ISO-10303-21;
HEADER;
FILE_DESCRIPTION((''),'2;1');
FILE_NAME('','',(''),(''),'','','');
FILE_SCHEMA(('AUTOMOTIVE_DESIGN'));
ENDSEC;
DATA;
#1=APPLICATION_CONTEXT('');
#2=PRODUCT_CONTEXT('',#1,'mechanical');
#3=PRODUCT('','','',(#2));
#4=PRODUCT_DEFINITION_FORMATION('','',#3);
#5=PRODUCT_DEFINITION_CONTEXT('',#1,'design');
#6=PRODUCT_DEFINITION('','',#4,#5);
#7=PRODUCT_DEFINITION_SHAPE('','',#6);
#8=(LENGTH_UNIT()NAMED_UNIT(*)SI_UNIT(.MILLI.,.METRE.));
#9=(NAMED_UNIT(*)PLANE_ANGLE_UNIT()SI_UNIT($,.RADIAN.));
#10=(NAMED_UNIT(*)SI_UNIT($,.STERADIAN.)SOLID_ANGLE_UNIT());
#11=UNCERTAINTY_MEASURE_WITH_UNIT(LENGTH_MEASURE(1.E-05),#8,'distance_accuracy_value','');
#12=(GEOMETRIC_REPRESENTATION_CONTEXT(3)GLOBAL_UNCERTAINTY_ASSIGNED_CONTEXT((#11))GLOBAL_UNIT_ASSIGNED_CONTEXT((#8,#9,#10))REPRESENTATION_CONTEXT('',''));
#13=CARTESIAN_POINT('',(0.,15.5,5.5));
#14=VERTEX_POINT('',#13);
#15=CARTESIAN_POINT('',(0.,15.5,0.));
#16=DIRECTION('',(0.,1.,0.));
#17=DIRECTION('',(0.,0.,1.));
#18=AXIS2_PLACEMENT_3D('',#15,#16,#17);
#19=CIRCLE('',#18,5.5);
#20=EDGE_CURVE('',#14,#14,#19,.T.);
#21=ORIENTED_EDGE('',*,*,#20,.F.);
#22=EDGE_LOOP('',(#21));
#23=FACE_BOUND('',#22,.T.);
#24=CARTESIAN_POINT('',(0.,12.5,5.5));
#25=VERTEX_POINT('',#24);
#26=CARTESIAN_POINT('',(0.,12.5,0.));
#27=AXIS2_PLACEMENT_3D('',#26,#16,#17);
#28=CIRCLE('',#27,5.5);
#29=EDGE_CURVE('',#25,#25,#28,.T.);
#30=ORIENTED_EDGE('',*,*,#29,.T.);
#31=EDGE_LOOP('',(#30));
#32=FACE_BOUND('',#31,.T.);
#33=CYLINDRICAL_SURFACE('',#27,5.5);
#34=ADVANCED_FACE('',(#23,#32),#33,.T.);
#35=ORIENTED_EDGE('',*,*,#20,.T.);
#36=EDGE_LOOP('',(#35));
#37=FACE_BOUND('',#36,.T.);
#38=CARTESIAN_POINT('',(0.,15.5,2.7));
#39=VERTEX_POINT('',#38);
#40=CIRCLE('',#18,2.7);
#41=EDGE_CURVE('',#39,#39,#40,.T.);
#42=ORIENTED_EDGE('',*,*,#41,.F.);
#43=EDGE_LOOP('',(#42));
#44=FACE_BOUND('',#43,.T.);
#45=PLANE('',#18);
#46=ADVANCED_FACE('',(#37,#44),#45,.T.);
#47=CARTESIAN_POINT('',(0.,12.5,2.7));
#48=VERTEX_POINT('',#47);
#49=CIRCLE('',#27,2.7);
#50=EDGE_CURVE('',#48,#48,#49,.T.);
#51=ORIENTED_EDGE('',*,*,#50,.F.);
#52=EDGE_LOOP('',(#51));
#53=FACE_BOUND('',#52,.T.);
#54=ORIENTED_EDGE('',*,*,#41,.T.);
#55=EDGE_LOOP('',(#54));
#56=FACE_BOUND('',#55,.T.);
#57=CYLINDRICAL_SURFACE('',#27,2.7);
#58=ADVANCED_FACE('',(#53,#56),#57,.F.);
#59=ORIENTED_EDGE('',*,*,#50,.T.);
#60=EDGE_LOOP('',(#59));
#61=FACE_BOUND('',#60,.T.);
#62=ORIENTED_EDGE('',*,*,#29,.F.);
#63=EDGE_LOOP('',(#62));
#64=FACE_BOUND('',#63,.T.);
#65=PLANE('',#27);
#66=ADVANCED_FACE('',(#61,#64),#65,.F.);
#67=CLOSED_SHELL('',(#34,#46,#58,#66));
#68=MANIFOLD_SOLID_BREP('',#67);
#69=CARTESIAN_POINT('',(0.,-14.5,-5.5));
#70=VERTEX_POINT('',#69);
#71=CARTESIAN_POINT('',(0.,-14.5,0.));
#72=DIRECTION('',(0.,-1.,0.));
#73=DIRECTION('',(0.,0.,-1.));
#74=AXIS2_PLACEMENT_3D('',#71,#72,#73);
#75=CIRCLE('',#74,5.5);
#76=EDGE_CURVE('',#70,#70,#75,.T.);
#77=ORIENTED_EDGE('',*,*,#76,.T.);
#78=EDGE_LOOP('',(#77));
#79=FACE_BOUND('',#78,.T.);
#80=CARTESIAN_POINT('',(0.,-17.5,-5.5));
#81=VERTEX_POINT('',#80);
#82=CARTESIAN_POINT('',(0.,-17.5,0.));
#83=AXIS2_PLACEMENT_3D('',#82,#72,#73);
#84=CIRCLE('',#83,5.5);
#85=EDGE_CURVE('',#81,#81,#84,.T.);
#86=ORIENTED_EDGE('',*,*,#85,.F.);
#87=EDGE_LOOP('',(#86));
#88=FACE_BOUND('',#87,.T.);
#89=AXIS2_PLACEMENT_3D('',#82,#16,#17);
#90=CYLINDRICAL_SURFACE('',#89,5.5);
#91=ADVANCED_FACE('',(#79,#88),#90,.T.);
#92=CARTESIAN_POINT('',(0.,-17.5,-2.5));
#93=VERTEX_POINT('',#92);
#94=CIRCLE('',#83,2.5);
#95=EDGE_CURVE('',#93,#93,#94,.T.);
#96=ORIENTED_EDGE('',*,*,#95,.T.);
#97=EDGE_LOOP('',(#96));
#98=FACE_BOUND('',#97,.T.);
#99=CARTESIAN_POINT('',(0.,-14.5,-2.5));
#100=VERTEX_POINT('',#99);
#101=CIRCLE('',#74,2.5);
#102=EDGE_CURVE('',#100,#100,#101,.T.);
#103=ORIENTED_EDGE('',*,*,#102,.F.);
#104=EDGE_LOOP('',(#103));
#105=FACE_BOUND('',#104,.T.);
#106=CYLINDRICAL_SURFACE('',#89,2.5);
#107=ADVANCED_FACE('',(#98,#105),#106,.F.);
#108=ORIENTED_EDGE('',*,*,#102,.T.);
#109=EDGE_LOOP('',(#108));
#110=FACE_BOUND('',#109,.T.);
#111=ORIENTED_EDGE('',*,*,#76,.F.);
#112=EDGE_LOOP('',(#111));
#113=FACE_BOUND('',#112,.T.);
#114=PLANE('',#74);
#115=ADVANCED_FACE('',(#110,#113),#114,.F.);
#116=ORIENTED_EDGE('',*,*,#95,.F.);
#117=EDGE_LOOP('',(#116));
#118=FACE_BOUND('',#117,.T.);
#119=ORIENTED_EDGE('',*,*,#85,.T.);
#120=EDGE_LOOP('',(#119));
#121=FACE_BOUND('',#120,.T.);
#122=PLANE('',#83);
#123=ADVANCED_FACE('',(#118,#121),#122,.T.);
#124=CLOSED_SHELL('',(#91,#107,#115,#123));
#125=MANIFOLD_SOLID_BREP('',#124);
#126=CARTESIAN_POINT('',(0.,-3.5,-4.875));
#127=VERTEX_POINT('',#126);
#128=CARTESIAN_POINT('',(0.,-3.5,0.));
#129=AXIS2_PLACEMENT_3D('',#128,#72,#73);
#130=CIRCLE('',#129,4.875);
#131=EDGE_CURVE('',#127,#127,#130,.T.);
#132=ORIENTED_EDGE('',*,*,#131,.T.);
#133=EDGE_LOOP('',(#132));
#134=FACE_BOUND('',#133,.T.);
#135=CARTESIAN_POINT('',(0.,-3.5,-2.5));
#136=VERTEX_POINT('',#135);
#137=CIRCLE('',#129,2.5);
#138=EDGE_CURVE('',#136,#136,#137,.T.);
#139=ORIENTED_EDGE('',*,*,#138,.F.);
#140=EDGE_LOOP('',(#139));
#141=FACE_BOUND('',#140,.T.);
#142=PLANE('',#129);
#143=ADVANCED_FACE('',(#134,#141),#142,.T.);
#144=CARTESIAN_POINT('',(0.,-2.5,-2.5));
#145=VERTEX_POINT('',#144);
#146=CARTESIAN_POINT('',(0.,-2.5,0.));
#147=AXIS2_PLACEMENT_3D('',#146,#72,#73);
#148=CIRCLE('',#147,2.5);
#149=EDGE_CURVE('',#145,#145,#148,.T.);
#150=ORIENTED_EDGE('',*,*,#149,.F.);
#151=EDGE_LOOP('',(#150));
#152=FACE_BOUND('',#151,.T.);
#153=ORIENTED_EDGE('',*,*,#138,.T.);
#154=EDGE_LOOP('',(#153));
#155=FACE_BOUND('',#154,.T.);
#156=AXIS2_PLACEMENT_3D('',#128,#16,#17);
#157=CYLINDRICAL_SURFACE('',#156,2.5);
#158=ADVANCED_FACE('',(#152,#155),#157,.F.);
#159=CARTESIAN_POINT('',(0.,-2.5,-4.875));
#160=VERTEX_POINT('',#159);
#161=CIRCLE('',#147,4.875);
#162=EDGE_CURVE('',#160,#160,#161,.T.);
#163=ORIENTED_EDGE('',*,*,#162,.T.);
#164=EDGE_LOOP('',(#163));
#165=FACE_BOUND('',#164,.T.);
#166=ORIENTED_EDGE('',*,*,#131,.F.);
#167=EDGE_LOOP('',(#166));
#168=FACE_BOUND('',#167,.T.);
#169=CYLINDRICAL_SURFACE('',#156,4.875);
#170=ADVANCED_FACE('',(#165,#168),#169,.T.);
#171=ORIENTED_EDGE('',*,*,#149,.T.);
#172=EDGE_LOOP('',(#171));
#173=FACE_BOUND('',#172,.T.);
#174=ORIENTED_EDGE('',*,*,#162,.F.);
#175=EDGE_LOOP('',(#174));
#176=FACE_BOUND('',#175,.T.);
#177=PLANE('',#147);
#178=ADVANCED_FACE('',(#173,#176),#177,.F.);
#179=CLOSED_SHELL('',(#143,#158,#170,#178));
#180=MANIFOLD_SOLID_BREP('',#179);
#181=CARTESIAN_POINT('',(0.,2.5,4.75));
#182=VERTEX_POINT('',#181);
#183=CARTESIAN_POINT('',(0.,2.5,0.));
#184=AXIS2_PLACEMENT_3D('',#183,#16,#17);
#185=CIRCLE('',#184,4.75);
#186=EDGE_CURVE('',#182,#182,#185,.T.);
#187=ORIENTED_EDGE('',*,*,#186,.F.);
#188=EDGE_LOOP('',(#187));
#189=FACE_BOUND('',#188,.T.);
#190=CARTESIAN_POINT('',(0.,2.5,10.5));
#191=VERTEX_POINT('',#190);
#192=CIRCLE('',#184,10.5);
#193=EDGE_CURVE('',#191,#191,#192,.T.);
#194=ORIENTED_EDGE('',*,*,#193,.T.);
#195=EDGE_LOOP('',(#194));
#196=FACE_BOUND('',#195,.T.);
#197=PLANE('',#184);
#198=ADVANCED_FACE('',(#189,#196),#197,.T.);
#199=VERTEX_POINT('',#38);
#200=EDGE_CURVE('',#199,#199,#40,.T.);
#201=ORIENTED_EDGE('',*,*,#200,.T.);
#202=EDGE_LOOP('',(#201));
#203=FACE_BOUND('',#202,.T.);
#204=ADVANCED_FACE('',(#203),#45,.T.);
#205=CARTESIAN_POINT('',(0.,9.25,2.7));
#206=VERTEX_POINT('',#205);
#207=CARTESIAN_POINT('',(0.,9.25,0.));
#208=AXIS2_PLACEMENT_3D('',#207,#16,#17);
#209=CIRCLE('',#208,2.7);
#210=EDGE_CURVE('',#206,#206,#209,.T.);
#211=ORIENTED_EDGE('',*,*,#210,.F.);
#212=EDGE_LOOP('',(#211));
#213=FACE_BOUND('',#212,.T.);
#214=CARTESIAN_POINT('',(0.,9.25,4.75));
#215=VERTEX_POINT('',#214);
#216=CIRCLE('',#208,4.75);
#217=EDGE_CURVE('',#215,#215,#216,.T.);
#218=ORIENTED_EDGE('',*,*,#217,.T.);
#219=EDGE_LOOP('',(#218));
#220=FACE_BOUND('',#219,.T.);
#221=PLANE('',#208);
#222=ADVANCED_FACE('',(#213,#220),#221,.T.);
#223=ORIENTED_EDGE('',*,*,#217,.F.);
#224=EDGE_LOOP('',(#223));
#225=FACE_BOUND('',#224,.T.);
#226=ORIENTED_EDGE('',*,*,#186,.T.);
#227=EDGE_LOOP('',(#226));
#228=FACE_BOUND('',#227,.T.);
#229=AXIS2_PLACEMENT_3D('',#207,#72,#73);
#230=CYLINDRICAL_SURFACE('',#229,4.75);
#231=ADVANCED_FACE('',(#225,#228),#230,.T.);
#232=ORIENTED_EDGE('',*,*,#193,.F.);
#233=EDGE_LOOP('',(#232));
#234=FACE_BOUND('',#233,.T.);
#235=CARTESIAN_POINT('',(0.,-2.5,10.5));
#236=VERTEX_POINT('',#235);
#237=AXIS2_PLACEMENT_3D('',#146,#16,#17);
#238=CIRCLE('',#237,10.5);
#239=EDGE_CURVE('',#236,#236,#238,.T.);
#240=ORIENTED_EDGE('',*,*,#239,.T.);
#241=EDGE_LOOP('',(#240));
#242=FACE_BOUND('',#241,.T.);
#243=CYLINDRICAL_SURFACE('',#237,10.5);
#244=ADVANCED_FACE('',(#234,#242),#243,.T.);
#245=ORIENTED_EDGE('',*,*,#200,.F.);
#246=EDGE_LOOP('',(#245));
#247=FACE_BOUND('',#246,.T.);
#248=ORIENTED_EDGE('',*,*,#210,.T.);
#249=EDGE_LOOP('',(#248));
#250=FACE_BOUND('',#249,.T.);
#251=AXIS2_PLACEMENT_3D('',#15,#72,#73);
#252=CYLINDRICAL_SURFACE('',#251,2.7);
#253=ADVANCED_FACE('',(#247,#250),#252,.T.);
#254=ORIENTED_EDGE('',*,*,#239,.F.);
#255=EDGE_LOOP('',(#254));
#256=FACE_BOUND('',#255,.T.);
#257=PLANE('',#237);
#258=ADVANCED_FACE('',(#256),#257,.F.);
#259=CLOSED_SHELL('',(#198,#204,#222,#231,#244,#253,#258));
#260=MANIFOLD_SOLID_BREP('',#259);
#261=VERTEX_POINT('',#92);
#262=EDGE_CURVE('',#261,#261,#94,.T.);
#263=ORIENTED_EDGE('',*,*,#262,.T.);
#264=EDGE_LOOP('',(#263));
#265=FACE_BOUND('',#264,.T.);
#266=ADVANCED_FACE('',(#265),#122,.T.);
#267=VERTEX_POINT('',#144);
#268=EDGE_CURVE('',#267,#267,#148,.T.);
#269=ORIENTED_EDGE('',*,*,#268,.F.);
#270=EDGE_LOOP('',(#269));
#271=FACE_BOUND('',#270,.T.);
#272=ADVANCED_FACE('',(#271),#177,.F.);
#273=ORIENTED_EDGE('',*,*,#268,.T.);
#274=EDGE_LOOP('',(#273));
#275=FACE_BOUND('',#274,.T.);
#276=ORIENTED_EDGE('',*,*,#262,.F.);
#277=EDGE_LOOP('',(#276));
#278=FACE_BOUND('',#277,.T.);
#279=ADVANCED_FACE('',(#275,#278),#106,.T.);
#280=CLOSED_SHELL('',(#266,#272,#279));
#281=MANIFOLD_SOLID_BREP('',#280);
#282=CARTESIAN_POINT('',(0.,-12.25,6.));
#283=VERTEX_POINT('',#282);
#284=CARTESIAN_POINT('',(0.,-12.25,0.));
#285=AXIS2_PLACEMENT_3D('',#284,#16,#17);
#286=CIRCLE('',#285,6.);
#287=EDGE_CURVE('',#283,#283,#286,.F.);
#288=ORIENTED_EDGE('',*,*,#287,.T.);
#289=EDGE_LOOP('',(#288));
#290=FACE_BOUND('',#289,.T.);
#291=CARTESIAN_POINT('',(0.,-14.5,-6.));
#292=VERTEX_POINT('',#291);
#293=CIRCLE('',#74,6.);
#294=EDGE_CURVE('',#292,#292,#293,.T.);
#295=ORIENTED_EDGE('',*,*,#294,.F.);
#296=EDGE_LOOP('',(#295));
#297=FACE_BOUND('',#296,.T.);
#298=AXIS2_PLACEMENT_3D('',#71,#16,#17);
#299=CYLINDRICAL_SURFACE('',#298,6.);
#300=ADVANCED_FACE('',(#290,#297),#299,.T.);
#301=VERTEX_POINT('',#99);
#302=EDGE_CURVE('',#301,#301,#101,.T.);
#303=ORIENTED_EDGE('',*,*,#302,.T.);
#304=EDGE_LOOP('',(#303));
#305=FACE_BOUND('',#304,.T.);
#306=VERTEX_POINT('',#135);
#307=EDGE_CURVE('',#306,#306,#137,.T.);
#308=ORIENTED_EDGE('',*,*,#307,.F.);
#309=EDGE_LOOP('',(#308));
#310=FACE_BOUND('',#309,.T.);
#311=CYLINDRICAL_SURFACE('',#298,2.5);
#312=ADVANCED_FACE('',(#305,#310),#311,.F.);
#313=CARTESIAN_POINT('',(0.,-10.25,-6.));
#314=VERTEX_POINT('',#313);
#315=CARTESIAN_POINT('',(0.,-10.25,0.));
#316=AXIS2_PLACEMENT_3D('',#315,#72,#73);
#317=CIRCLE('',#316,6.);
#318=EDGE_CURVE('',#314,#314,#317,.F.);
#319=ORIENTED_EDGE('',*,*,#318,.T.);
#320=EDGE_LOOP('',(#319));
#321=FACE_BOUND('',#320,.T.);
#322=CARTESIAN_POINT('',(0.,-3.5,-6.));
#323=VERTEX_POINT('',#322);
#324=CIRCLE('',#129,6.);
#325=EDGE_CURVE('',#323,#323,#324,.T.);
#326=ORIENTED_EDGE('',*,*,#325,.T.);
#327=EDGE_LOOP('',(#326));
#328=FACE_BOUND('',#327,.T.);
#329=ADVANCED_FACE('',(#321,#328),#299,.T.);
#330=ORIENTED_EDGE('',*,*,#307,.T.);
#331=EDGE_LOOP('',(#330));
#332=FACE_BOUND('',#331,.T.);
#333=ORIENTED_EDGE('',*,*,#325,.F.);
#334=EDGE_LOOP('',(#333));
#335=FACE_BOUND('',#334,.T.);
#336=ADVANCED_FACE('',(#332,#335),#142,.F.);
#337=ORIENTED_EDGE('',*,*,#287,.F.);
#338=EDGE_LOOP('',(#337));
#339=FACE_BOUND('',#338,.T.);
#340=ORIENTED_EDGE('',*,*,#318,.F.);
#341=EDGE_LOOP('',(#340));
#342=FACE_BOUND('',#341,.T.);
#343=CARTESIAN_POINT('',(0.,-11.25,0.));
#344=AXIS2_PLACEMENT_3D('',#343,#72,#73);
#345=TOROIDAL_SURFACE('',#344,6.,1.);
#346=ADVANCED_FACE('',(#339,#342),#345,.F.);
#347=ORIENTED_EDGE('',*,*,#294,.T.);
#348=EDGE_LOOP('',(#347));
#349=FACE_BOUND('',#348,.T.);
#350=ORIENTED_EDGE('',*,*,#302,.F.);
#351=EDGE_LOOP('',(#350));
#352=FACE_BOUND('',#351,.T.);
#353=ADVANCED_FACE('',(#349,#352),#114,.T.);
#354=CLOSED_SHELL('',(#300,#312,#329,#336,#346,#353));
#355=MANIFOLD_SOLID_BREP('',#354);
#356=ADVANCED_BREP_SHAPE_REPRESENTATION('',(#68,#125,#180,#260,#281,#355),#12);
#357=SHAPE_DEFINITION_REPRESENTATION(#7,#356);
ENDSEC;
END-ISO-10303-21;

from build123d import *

# Parameters (mm, degrees)
BOSS_EXTRUDE1_DEPTH      = 2.5
BOSS_EXTRUDE1_DEPTH_BACK = 2.5
SKETCH1_R                = 10.5
SKETCH2_R                = 4.75
BOSS_EXTRUDE2_DEPTH      = 6.75
SKETCH3_R                = 2.7
BOSS_EXTRUDE4_DEPTH      = 6.25
SKETCH5_R                = 5.5
SKETCH5_R_2              = 2.7
BOSS_EXTRUDE5_DEPTH      = 3
SKETCH6_R                = 2.5
BOSS_EXTRUDE6_DEPTH      = 15
SKETCH7_R                = 4.875
SKETCH7_R_2              = 2.5
BOSS_EXTRUDE7_DEPTH      = 1
SKETCH8_R                = 6
SKETCH8_R_2              = 2.5
BOSS_EXTRUDE8_DEPTH      = 11
SKETCH9_R                = 1
SKETCH10_R               = 5.5
SKETCH10_R_2             = 2.5
BOSS_EXTRUDE12_DEPTH     = 3


with BuildPart() as part:
    # Sketch1 → Boss-Extrude1 (new, two sides: drawn at the far end of the back side and taken through both)
    with BuildSketch(Plane(origin=(0, 0, 0), x_dir=(1, 0, 0), z_dir=(0, 1, 0)).offset(-BOSS_EXTRUDE1_DEPTH_BACK)):
        Circle(SKETCH1_R)
    extrude(amount=BOSS_EXTRUDE1_DEPTH + BOSS_EXTRUDE1_DEPTH_BACK)

    # Sketch2 → Boss-Extrude2 (add)
    with BuildSketch(Plane(origin=(0, 2.5, 0), x_dir=(1, 0, 0), z_dir=(0, 1, 0))):
        Circle(SKETCH2_R)
    extrude(amount=BOSS_EXTRUDE2_DEPTH)

    # Sketch3 → Boss-Extrude4 (add)
    with BuildSketch(Plane(origin=(0, 9.25, 0), x_dir=(1, 0, 0), z_dir=(0, 1, 0))):
        Circle(SKETCH3_R)
    extrude(amount=BOSS_EXTRUDE4_DEPTH)


with BuildPart() as body_2:
    # Sketch5 → Boss-Extrude5 (new body)
    with BuildSketch(Plane(origin=(0, 15.5, 0), x_dir=(1, 0, 0), z_dir=(0, 1, 0))):
        Circle(SKETCH5_R)
        Circle(SKETCH5_R_2, mode=Mode.SUBTRACT)
    extrude(amount=-BOSS_EXTRUDE5_DEPTH)


with BuildPart() as body_3:
    # Sketch6 → Boss-Extrude6 (new body)
    with BuildSketch(Plane.XZ.offset(2.5)):
        Circle(SKETCH6_R)
    extrude(amount=BOSS_EXTRUDE6_DEPTH)


with BuildPart() as body_4:
    # Sketch7 → Boss-Extrude7 (new body)
    with BuildSketch(Plane.XZ.offset(2.5)):
        Circle(SKETCH7_R)
        Circle(SKETCH7_R_2, mode=Mode.SUBTRACT)
    extrude(amount=BOSS_EXTRUDE7_DEPTH)


with BuildPart() as body_5:
    # Sketch8 → Boss-Extrude8 (new body)
    with BuildSketch(Plane.XZ.offset(3.5)):
        Circle(SKETCH8_R)
        Circle(SKETCH8_R_2, mode=Mode.SUBTRACT)
    extrude(amount=BOSS_EXTRUDE8_DEPTH)

    # Sketch9 → Cut-Revolve1 (revolve, cut)
    with BuildSketch(Plane.XY):
        with Locations((6, -11.25)):
            Circle(SKETCH9_R)
    revolve(axis=Axis((0, -29.718418544, 0), (0, 1, 0)), mode=Mode.SUBTRACT)


with BuildPart() as body_6:
    # Sketch10 → Boss-Extrude12 (new body)
    with BuildSketch(Plane.XZ.offset(14.5)):
        Circle(SKETCH10_R)
        Circle(SKETCH10_R_2, mode=Mode.SUBTRACT)
    extrude(amount=BOSS_EXTRUDE12_DEPTH)


solid = Compound([part.part, body_2.part, body_3.part, body_4.part, body_5.part, body_6.part])
